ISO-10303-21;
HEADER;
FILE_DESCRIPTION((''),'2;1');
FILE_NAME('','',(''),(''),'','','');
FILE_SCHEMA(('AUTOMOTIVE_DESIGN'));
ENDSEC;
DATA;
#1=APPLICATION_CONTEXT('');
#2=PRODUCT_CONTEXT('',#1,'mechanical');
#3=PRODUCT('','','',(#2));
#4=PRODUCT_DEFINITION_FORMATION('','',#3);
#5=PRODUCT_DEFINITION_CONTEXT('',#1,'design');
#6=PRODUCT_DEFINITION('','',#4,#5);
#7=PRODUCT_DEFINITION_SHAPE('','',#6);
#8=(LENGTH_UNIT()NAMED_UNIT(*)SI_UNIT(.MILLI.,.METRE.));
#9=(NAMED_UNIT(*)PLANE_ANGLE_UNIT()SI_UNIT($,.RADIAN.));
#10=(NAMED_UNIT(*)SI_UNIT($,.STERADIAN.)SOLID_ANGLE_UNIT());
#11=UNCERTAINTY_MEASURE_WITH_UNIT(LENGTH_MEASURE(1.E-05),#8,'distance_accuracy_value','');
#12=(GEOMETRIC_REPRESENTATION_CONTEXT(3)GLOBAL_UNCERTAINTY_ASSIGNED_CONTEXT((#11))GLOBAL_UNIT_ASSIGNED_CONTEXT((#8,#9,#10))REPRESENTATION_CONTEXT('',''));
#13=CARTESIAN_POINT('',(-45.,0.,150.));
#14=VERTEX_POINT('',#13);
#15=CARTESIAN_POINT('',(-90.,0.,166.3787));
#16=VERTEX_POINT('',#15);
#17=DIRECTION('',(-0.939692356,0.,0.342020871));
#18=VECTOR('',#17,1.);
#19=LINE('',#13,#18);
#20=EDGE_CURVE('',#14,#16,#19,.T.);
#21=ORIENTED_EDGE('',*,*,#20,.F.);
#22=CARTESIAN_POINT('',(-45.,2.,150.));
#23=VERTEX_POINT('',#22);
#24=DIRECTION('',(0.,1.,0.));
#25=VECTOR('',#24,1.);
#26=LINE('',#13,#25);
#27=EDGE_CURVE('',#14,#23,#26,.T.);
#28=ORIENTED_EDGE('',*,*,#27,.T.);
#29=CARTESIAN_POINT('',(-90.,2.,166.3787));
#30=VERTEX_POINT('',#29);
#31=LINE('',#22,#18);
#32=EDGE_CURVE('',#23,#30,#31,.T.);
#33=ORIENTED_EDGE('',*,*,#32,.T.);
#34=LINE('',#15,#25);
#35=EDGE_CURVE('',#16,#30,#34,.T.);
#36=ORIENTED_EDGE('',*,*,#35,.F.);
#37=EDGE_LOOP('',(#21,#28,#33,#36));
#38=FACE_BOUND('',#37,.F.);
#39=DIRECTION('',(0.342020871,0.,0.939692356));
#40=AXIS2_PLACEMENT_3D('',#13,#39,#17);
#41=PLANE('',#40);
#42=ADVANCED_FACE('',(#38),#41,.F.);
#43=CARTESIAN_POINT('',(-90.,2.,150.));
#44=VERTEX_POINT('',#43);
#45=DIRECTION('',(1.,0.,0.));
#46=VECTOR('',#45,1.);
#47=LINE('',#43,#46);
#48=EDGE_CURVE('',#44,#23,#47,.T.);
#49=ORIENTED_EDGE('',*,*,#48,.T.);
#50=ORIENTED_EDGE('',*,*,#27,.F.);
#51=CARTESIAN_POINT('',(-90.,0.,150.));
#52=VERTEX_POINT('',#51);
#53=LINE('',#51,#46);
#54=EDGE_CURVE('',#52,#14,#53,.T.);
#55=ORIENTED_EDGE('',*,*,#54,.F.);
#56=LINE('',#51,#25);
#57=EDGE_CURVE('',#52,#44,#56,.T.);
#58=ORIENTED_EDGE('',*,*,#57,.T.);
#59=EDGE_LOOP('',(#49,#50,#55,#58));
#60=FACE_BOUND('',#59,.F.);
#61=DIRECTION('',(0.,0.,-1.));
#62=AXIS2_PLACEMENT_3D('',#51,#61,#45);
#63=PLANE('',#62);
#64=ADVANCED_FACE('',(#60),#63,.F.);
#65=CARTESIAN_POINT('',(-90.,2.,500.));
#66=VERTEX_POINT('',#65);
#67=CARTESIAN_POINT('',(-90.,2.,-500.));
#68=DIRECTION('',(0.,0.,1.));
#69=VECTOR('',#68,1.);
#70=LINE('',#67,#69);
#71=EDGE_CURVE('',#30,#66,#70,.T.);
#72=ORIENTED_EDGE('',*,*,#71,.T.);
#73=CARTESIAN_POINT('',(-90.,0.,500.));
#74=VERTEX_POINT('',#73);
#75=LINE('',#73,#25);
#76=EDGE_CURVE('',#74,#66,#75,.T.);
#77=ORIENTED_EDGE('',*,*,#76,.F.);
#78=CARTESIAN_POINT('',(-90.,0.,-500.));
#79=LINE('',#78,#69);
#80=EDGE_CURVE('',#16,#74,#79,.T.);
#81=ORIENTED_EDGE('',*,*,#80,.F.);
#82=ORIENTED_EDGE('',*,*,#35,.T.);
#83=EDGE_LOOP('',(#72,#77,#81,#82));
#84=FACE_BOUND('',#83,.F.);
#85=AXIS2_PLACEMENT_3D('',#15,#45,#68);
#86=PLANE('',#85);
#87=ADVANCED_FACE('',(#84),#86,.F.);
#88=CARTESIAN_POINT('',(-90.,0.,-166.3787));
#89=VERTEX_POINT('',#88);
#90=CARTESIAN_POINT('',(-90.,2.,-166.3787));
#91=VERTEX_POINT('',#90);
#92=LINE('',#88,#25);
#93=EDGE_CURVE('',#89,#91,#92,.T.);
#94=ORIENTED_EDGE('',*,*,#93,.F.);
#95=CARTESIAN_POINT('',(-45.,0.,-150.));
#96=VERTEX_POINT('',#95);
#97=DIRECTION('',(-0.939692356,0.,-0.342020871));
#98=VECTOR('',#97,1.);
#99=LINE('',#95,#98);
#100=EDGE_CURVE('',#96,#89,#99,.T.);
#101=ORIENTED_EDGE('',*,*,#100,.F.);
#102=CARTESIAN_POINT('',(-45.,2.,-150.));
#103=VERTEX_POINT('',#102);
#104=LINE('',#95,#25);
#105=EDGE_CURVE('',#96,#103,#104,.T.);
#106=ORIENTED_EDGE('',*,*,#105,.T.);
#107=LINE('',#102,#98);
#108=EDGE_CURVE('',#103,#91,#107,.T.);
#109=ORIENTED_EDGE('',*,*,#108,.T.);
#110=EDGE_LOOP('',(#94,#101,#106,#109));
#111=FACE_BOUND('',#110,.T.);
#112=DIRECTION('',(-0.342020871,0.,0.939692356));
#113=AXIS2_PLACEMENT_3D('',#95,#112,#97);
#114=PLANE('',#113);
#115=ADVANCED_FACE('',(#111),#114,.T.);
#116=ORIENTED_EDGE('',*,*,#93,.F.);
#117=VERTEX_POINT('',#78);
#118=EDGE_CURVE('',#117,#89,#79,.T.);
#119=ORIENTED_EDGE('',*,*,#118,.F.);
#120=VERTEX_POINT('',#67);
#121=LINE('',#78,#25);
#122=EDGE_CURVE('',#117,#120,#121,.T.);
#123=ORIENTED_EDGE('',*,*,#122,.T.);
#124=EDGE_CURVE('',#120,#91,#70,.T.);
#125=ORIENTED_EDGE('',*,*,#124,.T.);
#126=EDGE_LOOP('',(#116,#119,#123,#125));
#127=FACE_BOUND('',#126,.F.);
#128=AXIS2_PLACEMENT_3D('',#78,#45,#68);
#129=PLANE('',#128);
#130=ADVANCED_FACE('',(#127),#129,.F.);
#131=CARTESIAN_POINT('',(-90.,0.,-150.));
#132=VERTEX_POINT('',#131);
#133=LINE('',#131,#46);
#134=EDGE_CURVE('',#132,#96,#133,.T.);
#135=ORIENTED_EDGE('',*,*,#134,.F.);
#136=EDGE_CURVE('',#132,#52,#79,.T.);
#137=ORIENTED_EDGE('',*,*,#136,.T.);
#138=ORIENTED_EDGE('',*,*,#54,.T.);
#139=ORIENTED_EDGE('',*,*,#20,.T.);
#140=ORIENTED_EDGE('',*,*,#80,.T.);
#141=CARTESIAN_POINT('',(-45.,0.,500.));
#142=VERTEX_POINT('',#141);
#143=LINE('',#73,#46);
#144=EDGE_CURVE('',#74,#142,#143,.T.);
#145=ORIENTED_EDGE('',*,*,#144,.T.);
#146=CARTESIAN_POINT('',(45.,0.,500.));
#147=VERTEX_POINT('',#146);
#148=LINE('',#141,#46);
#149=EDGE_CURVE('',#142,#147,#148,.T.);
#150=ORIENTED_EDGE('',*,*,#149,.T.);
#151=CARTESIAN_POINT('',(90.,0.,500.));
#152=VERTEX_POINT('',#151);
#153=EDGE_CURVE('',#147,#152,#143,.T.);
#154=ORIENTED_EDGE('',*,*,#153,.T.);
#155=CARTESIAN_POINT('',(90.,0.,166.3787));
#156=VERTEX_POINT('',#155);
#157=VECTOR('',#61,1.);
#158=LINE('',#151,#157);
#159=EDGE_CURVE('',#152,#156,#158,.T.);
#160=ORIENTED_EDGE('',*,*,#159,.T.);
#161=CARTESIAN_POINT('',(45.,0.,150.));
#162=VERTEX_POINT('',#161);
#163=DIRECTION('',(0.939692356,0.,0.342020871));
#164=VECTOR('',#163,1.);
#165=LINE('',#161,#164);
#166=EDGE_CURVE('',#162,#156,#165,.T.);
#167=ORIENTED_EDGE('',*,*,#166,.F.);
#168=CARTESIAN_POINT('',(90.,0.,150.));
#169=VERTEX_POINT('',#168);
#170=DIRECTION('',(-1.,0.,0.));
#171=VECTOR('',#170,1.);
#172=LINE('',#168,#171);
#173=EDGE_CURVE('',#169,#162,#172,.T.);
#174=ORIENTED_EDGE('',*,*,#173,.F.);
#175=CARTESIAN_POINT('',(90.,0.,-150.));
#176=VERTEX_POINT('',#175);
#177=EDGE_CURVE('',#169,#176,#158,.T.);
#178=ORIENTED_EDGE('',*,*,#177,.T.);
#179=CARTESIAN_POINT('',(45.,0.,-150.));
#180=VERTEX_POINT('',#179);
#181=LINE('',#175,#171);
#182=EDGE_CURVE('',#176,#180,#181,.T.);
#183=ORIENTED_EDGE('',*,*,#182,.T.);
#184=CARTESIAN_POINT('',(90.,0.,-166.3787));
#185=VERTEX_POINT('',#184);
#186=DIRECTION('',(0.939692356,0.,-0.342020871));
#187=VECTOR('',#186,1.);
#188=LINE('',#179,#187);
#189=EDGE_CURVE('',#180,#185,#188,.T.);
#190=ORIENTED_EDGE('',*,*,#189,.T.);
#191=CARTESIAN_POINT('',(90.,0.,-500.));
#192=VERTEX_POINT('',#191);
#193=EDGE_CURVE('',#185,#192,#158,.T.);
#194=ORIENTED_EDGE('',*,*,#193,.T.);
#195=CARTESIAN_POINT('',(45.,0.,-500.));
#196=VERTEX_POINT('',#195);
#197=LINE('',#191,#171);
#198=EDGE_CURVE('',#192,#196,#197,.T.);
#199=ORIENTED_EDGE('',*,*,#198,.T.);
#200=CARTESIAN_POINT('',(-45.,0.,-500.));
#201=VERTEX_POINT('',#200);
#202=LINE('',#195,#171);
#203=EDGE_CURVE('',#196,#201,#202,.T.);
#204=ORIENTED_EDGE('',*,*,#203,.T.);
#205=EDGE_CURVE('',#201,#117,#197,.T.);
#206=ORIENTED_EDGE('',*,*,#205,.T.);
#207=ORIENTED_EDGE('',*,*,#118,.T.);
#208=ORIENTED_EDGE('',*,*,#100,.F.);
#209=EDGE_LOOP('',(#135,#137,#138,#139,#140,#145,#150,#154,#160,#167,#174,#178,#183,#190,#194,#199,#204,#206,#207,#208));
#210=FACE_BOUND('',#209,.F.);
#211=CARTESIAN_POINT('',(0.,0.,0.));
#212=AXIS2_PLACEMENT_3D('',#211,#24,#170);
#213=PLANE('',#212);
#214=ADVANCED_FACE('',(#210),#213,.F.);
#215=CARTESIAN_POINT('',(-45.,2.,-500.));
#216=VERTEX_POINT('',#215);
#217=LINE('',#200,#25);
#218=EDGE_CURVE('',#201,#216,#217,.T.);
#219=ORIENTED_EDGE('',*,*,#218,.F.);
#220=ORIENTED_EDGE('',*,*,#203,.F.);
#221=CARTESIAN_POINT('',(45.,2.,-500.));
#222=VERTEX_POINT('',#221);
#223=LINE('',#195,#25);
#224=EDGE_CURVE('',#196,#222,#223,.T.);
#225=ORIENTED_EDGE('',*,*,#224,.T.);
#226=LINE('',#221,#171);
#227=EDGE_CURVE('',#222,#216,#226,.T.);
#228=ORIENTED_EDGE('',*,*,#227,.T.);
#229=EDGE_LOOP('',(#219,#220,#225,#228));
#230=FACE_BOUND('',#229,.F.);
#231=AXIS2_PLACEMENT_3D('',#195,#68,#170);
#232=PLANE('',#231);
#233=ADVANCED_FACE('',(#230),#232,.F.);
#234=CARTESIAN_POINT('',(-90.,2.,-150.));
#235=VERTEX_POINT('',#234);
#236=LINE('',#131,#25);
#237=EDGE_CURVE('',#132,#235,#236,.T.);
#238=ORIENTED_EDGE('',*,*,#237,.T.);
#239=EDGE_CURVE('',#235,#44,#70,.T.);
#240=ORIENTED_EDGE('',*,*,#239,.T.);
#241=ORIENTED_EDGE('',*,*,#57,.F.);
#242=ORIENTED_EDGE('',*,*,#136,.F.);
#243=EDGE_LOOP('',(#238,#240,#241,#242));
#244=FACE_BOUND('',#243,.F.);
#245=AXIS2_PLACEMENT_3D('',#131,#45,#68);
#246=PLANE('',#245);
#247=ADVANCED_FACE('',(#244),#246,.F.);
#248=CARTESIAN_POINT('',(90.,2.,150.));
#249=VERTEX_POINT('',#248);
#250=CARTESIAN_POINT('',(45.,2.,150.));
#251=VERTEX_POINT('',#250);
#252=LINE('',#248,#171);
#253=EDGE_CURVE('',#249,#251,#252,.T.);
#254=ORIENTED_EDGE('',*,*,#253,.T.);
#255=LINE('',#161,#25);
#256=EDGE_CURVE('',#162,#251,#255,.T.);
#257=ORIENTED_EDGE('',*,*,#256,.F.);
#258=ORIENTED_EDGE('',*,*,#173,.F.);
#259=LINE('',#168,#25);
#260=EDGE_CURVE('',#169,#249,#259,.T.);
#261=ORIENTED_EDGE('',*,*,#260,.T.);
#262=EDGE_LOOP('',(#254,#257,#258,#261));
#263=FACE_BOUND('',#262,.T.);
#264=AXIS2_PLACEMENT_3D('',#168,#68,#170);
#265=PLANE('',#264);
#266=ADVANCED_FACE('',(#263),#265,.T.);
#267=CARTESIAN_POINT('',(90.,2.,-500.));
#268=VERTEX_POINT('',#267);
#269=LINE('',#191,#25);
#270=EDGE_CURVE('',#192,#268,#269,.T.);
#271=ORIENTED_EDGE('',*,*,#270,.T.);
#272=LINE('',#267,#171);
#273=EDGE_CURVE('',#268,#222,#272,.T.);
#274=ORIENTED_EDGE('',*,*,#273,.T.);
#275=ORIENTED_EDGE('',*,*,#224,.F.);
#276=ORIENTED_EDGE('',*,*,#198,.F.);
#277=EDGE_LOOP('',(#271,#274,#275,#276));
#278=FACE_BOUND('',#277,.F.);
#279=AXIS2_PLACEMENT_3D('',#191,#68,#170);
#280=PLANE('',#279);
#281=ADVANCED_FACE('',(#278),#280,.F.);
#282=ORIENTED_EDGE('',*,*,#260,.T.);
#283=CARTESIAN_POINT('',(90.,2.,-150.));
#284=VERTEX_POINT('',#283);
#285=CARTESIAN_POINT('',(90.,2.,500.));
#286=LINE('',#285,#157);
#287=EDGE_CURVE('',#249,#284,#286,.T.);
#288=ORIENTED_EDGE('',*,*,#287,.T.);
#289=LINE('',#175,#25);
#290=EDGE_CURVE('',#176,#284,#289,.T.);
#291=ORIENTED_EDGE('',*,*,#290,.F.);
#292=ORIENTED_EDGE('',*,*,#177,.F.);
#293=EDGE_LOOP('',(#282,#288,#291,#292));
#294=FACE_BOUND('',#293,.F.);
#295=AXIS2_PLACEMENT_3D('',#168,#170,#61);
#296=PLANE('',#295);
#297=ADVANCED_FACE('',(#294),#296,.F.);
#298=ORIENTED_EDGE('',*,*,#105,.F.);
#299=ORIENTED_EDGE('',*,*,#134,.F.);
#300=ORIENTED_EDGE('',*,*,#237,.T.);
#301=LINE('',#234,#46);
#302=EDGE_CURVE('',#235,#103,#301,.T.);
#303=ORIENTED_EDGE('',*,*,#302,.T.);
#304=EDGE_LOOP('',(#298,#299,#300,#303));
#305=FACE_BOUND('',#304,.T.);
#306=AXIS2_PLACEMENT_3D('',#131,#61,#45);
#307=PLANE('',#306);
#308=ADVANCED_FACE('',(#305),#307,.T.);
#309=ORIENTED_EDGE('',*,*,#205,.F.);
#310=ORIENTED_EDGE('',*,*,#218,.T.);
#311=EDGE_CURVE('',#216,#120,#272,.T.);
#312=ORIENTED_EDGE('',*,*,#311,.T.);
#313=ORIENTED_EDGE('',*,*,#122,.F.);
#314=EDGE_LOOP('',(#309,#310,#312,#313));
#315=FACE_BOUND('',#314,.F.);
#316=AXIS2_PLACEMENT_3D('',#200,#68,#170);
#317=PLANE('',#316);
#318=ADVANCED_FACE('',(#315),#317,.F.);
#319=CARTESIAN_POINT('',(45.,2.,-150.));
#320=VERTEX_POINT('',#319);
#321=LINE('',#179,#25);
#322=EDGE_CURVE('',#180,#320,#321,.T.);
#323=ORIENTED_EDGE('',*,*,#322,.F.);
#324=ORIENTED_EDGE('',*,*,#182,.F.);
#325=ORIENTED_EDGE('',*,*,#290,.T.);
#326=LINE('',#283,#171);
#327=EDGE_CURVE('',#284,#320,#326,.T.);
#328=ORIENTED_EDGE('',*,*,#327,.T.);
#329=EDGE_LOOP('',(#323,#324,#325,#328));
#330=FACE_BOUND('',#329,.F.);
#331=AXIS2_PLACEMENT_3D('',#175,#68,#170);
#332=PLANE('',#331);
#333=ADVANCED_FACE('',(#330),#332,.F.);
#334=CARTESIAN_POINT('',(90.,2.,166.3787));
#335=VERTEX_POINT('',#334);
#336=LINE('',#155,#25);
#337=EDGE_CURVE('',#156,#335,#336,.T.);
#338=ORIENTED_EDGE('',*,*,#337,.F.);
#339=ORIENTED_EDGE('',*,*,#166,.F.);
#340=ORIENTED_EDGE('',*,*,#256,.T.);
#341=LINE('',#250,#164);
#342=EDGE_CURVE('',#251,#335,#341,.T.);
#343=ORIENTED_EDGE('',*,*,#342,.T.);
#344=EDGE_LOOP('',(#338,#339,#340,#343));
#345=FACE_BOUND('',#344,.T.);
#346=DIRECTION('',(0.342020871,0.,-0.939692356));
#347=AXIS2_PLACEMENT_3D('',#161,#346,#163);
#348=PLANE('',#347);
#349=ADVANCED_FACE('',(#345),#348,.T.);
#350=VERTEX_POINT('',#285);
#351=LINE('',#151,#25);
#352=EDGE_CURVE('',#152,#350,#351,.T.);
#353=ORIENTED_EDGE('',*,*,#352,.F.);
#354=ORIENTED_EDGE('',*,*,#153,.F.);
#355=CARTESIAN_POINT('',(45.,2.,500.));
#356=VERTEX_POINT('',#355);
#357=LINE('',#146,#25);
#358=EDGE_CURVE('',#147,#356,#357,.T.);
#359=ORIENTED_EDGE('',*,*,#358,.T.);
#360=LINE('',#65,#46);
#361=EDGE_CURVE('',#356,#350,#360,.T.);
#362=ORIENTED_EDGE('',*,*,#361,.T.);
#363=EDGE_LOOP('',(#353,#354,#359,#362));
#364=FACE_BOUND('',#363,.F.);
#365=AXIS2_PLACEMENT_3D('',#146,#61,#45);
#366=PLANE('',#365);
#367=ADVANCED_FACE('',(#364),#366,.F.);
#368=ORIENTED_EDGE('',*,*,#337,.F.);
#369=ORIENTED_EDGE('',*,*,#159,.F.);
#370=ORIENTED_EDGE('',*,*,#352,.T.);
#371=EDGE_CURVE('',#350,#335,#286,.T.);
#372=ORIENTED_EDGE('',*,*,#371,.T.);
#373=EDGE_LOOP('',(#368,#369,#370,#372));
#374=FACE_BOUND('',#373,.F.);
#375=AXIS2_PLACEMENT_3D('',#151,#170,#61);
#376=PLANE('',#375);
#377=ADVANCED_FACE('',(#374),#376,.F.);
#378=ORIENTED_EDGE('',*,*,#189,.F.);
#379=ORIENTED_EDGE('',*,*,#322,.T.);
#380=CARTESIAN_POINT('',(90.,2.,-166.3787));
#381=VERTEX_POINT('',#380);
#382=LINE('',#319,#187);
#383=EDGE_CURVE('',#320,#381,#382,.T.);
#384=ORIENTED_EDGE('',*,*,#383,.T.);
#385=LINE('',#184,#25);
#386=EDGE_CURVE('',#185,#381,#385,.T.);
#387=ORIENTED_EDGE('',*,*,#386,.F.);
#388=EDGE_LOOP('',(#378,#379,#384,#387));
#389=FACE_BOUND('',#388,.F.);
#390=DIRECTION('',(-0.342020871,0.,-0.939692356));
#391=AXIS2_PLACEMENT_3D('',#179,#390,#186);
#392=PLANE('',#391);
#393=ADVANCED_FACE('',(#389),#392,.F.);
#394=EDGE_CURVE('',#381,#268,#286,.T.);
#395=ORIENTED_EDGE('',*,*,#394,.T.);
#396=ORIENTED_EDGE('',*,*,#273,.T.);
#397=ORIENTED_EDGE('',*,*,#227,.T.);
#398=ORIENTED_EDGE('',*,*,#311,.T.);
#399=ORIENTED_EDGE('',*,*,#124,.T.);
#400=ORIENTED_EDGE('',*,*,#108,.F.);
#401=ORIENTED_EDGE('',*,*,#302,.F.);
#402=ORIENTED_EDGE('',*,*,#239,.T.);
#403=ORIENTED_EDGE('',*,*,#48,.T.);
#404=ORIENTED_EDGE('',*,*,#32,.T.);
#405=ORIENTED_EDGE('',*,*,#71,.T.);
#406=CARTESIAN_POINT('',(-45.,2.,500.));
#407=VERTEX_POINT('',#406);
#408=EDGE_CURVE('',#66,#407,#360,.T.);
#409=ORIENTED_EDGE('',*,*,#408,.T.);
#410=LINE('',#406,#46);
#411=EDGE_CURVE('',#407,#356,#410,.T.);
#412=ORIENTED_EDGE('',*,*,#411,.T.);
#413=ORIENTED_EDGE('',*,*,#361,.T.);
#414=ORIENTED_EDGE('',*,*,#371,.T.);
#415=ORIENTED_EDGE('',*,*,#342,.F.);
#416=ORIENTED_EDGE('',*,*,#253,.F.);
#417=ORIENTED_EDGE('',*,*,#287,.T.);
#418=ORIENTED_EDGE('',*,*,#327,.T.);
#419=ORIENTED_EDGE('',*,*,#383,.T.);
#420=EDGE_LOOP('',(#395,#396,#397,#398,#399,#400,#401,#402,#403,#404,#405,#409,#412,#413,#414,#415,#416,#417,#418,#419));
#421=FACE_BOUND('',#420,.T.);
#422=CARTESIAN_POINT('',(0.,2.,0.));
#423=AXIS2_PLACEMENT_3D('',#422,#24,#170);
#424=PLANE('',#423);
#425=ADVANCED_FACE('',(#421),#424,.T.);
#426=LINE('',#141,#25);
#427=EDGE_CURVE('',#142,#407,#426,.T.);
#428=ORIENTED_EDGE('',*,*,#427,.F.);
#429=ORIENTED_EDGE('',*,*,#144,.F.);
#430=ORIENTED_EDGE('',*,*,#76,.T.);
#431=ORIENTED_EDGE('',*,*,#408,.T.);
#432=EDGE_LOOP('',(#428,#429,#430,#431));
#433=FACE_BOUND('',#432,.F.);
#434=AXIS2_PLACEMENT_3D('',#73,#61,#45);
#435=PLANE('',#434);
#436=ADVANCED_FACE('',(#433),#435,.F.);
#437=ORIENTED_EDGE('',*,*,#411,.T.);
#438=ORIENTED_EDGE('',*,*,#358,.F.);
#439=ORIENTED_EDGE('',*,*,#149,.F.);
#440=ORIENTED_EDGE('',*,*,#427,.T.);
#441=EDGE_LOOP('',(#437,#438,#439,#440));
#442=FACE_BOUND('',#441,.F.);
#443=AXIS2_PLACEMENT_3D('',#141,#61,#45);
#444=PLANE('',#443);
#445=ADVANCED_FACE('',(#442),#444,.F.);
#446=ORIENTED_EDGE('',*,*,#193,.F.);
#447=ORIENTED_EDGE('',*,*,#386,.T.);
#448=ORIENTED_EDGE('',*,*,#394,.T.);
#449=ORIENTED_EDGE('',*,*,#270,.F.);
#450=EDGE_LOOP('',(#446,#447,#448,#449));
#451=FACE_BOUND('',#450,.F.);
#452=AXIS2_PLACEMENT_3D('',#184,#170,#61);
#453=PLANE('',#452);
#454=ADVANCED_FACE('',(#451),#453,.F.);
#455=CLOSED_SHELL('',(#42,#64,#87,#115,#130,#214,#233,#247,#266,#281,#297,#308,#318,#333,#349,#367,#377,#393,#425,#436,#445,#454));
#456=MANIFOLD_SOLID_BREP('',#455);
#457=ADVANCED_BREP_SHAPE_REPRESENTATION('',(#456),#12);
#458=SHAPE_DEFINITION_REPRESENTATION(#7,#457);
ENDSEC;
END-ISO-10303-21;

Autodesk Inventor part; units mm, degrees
ref_plane "YZ Plane" through (0, 0, 0) normal (1, 0, 0) x (0, 1, 0)
ref_plane "XZ Plane" through (0, 0, 0) normal (0, 1, 0) x (-1, 0, 0)
ref_plane "XY Plane" through (0, 0, 0) normal (0, 0, 1) x (1, 0, 0)
sketch "Sketch1" plane through (0, 0, 0) normal (0, 1, 0) x (-1, 0, 0)
  line L0 (-90, -500) -> (90, -500)
  line L1 (90, -500) -> (90, 500)
  line L2 (90, 500) -> (-90, 500)
  line L3 (-90, 500) -> (-90, -500)
  line L4 (-90, -500) -> (90, 500) construction
  line L5 (90, -500) -> (-90, 500) construction
  line L6 (-45, -500) -> (45, -500)
  line L7 (45, -500) -> (45, 500) construction
  line L8 (45, 500) -> (-45, 500)
  line L9 (-45, 500) -> (-45, -500) construction
  line L10 (-45, -500) -> (45, 500) construction
  line L11 (45, -500) -> (-45, 500) construction
  line L12 (-90, -150) -> (90, -150) construction
  line L13 (90, -150) -> (90, 150) construction
  line L14 (90, 150) -> (-90, 150) construction
  line L15 (-90, 150) -> (-90, -150) construction
  line L16 (-90, -150) -> (90, 150) construction
  line L17 (90, -150) -> (-90, 150) construction
  line L18 (90, 150) -> (45, 150)
  line L19 (45, 150) -> (90, 166.3787)
  line L20 (0, 0) -> (90, 0) construction
  line L21 (0, 0) -> (0, 150) construction
  line L22 (90, -150) -> (45, -150)
  line L23 (45, -150) -> (90, -166.3787)
  line L24 (-90, 150) -> (-45, 150)
  line L25 (-45, 150) -> (-90, 166.3787)
  line L26 (-90, -150) -> (-45, -150)
  line L27 (-45, -150) -> (-90, -166.3787)
  dimension "d0" = 180
  dimension "d1" = 1000
  dimension "d4" = 90
  dimension "d5" = 300
  dimension "d6" = 20
extrude "Extrusion1" add sketch "Sketch1" along normal blind 2 contours L3 L27 L26 L24 L25 L2 L1 L19 L18 L22 L23 L0
properties part number "CARDBOARD"
